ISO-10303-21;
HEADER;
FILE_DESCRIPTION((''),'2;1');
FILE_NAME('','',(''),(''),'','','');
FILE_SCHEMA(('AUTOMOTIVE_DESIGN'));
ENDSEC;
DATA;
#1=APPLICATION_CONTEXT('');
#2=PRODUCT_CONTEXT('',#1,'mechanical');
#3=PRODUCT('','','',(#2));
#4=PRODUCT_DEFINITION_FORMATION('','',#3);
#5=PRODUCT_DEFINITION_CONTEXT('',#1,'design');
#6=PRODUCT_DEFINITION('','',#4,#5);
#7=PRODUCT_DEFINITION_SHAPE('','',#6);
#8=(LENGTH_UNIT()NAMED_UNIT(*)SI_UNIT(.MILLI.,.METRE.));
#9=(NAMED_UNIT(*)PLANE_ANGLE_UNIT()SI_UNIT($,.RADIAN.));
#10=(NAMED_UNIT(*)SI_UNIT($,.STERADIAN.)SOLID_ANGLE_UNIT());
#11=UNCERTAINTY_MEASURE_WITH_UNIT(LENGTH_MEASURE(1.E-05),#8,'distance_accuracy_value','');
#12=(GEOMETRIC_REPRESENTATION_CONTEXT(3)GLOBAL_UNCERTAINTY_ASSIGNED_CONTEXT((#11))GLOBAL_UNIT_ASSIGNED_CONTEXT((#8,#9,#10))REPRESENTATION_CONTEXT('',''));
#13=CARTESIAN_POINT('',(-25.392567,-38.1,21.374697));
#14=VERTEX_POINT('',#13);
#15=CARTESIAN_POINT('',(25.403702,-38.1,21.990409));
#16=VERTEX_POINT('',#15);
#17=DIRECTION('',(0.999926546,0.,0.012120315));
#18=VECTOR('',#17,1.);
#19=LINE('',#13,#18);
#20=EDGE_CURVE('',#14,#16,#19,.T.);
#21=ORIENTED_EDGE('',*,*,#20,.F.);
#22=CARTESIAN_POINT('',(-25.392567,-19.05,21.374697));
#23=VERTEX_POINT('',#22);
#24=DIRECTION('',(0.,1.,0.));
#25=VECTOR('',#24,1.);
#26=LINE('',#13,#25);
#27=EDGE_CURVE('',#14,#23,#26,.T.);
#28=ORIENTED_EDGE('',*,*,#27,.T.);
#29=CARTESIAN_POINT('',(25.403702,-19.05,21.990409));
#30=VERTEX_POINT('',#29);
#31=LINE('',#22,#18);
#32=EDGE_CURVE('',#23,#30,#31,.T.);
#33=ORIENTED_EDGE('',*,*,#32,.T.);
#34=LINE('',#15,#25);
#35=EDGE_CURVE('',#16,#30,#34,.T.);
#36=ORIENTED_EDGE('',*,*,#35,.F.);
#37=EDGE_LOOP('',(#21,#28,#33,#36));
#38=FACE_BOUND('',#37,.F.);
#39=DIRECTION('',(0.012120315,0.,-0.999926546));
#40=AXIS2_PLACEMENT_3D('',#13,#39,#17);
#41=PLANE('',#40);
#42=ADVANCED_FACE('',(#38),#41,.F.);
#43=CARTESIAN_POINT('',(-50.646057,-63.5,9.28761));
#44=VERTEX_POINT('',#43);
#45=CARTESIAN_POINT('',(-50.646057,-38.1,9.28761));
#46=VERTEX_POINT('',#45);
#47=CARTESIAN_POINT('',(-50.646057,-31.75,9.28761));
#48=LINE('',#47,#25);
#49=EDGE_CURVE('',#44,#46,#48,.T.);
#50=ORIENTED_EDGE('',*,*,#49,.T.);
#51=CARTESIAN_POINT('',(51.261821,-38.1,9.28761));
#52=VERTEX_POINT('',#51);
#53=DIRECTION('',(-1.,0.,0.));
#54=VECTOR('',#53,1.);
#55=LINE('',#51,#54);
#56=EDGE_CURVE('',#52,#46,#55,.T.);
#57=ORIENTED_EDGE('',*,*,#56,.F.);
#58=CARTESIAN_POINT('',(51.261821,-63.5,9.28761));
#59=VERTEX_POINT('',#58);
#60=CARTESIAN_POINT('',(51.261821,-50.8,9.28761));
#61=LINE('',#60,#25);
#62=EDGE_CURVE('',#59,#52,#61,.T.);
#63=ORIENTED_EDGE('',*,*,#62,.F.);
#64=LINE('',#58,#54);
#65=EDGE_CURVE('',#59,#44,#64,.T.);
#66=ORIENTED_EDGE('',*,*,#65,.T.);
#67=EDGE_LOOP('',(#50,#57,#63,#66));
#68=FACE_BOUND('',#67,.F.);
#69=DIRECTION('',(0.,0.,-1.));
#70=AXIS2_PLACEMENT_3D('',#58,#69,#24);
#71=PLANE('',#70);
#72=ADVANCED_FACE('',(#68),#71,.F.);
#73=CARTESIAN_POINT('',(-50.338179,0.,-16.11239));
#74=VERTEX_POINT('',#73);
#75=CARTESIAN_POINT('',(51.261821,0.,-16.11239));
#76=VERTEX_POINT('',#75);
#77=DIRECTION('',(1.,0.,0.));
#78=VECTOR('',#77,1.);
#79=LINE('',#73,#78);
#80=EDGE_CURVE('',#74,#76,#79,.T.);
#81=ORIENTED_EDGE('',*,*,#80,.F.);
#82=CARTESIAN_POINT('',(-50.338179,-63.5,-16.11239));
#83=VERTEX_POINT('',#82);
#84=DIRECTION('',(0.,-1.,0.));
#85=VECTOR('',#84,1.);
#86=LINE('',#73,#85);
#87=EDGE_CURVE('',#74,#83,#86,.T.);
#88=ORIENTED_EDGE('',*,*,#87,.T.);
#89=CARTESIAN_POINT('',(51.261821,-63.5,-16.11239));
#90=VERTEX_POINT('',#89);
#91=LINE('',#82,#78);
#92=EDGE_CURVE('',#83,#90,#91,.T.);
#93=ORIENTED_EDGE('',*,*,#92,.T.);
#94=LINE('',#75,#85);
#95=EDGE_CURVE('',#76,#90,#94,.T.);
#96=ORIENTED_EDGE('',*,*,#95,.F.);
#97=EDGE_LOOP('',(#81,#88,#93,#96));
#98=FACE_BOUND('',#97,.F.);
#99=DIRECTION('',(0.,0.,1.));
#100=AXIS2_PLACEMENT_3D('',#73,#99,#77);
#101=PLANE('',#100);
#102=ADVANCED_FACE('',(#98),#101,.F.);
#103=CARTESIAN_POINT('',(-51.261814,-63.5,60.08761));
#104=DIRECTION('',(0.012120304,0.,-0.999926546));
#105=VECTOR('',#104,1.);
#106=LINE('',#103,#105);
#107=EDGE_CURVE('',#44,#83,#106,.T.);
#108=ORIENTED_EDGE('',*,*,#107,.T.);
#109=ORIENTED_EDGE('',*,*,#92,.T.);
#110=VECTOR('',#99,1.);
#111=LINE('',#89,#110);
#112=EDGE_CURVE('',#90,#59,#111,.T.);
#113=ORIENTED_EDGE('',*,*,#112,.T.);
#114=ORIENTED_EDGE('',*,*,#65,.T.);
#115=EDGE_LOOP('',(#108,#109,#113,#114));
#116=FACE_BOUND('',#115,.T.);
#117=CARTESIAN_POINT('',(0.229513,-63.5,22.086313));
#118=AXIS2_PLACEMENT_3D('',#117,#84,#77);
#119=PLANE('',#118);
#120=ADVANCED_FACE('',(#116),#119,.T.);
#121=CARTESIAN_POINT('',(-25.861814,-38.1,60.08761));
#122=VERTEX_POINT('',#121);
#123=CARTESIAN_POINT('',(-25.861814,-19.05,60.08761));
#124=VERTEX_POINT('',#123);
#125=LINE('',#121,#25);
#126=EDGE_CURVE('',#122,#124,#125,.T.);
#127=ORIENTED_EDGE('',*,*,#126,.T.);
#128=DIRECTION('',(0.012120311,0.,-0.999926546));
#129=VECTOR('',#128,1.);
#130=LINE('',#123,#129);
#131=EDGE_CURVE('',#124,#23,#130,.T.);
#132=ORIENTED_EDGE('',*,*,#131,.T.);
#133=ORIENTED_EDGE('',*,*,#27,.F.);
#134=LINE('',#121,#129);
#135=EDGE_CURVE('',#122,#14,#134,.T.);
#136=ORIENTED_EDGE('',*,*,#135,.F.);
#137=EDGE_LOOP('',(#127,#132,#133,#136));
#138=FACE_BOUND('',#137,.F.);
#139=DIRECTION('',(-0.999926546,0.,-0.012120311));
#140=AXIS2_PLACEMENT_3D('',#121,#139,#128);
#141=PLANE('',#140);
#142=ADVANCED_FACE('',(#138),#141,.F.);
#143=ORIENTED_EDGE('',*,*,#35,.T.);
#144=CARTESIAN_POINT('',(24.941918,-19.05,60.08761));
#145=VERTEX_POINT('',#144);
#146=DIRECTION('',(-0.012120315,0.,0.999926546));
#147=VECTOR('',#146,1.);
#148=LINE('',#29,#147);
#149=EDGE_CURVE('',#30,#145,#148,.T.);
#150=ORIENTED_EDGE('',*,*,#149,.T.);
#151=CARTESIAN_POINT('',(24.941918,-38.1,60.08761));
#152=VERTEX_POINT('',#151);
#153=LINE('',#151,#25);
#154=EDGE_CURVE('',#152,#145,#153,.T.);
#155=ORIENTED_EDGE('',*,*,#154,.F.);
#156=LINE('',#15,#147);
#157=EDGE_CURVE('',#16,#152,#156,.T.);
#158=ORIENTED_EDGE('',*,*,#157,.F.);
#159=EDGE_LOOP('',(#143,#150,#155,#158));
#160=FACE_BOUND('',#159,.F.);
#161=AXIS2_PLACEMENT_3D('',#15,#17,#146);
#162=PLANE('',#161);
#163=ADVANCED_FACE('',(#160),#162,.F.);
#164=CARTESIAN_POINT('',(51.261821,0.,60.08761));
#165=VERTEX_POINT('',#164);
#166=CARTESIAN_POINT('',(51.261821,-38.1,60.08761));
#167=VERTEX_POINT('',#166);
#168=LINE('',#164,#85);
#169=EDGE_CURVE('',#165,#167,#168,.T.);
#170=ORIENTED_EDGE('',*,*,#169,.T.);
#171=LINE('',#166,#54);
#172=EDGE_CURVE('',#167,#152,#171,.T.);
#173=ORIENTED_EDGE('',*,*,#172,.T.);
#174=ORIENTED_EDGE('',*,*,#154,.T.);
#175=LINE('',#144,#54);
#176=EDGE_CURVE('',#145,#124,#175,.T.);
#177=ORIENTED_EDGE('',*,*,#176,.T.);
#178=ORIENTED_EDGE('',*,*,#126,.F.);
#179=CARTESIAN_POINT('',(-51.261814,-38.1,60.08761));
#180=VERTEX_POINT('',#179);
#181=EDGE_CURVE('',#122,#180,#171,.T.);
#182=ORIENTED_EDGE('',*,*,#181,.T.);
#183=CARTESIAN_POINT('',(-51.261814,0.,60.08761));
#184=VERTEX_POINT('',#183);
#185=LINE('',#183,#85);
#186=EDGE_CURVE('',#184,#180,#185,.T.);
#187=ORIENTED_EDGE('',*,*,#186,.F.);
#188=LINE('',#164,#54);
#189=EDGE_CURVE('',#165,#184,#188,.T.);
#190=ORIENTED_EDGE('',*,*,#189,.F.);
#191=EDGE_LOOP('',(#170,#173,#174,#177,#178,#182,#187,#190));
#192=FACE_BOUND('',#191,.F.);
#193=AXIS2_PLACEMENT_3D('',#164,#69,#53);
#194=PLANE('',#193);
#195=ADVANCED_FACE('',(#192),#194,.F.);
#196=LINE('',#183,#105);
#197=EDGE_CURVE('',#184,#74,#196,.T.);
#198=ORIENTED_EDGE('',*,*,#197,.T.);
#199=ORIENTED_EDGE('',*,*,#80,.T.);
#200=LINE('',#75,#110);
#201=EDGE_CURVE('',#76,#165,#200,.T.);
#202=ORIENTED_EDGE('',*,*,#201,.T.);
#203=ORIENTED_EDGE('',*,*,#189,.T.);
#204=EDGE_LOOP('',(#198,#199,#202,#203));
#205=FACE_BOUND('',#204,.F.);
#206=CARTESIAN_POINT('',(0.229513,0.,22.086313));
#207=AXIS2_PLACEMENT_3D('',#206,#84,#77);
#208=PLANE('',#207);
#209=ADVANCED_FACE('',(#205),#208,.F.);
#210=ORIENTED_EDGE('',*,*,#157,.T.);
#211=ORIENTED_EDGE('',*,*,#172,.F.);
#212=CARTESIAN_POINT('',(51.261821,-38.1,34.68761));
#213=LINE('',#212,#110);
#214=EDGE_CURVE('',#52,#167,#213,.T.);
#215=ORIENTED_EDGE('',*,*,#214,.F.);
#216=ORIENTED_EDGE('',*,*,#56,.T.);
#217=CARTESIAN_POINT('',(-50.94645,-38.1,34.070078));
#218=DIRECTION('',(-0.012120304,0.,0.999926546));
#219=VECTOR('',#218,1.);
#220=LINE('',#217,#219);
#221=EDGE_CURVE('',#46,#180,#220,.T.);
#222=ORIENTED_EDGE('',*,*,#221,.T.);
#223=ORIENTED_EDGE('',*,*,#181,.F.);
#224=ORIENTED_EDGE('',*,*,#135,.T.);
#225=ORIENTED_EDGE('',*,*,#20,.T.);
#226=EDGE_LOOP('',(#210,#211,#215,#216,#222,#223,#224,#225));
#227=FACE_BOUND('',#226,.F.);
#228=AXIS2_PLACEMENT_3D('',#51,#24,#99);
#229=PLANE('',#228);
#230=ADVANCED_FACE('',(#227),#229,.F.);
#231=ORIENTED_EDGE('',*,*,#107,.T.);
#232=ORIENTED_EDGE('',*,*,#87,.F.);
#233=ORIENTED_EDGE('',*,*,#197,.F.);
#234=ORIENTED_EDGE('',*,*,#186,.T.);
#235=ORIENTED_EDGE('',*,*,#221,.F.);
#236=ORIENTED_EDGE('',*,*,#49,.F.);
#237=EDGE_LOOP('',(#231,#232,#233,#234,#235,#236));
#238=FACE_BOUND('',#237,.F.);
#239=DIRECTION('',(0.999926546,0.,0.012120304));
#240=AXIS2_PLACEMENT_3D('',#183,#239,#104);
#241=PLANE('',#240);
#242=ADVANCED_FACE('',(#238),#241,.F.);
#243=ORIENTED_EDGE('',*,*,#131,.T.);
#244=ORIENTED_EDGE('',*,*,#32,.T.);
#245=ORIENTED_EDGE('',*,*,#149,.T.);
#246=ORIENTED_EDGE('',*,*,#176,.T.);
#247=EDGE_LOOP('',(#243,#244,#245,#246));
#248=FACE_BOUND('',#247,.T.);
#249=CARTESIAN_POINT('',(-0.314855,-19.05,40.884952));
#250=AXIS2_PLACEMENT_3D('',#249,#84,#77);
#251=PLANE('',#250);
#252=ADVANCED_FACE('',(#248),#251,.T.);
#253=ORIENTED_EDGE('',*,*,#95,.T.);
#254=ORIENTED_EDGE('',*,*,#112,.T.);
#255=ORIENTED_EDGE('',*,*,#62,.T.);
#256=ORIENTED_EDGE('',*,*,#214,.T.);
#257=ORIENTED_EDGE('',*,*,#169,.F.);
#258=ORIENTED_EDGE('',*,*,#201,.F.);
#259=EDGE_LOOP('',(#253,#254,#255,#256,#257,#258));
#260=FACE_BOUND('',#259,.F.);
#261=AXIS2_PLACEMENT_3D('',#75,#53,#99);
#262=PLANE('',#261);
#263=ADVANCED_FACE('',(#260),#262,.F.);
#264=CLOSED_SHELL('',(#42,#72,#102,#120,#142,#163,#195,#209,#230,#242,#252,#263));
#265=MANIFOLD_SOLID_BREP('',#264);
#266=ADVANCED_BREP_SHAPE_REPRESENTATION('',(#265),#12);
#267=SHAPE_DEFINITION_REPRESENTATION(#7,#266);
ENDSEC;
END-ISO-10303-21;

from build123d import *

# Parameters (mm, degrees)
F1_DEPTH = 63.5
F2_W     = 25.4
F2_H     = 50.8
F3_DEPTH = 104.14
F5_DEPTH = 19.05


with BuildPart() as f1:
    # F0 (on Front) → F1 (new body)
    with BuildSketch(Plane.XZ):
        Polygon((-51.261814, 60.08761), (-50.338179, -16.11239), (51.261821, -16.11239), (51.261821, 60.08761), align=None)
    extrude(amount=F1_DEPTH)

    # F2 (on face) → F3 (cut)
    with BuildSketch(Plane.YZ.offset(51.261821)):
        with Locations((-50.8, 34.68761)):
            Rectangle(F2_W, F2_H)
    extrude(amount=-F3_DEPTH, mode=Mode.SUBTRACT)

    # F4 (on face) → F5 (cut)
    with BuildSketch(Plane.XZ.offset(38.1)):
        Polygon((24.941918, 60.08761), (-25.861814, 60.08761), (-25.392567, 21.374697), (25.403702, 21.990409), align=None)
    extrude(amount=-F5_DEPTH, mode=Mode.SUBTRACT)


solid = f1.part
